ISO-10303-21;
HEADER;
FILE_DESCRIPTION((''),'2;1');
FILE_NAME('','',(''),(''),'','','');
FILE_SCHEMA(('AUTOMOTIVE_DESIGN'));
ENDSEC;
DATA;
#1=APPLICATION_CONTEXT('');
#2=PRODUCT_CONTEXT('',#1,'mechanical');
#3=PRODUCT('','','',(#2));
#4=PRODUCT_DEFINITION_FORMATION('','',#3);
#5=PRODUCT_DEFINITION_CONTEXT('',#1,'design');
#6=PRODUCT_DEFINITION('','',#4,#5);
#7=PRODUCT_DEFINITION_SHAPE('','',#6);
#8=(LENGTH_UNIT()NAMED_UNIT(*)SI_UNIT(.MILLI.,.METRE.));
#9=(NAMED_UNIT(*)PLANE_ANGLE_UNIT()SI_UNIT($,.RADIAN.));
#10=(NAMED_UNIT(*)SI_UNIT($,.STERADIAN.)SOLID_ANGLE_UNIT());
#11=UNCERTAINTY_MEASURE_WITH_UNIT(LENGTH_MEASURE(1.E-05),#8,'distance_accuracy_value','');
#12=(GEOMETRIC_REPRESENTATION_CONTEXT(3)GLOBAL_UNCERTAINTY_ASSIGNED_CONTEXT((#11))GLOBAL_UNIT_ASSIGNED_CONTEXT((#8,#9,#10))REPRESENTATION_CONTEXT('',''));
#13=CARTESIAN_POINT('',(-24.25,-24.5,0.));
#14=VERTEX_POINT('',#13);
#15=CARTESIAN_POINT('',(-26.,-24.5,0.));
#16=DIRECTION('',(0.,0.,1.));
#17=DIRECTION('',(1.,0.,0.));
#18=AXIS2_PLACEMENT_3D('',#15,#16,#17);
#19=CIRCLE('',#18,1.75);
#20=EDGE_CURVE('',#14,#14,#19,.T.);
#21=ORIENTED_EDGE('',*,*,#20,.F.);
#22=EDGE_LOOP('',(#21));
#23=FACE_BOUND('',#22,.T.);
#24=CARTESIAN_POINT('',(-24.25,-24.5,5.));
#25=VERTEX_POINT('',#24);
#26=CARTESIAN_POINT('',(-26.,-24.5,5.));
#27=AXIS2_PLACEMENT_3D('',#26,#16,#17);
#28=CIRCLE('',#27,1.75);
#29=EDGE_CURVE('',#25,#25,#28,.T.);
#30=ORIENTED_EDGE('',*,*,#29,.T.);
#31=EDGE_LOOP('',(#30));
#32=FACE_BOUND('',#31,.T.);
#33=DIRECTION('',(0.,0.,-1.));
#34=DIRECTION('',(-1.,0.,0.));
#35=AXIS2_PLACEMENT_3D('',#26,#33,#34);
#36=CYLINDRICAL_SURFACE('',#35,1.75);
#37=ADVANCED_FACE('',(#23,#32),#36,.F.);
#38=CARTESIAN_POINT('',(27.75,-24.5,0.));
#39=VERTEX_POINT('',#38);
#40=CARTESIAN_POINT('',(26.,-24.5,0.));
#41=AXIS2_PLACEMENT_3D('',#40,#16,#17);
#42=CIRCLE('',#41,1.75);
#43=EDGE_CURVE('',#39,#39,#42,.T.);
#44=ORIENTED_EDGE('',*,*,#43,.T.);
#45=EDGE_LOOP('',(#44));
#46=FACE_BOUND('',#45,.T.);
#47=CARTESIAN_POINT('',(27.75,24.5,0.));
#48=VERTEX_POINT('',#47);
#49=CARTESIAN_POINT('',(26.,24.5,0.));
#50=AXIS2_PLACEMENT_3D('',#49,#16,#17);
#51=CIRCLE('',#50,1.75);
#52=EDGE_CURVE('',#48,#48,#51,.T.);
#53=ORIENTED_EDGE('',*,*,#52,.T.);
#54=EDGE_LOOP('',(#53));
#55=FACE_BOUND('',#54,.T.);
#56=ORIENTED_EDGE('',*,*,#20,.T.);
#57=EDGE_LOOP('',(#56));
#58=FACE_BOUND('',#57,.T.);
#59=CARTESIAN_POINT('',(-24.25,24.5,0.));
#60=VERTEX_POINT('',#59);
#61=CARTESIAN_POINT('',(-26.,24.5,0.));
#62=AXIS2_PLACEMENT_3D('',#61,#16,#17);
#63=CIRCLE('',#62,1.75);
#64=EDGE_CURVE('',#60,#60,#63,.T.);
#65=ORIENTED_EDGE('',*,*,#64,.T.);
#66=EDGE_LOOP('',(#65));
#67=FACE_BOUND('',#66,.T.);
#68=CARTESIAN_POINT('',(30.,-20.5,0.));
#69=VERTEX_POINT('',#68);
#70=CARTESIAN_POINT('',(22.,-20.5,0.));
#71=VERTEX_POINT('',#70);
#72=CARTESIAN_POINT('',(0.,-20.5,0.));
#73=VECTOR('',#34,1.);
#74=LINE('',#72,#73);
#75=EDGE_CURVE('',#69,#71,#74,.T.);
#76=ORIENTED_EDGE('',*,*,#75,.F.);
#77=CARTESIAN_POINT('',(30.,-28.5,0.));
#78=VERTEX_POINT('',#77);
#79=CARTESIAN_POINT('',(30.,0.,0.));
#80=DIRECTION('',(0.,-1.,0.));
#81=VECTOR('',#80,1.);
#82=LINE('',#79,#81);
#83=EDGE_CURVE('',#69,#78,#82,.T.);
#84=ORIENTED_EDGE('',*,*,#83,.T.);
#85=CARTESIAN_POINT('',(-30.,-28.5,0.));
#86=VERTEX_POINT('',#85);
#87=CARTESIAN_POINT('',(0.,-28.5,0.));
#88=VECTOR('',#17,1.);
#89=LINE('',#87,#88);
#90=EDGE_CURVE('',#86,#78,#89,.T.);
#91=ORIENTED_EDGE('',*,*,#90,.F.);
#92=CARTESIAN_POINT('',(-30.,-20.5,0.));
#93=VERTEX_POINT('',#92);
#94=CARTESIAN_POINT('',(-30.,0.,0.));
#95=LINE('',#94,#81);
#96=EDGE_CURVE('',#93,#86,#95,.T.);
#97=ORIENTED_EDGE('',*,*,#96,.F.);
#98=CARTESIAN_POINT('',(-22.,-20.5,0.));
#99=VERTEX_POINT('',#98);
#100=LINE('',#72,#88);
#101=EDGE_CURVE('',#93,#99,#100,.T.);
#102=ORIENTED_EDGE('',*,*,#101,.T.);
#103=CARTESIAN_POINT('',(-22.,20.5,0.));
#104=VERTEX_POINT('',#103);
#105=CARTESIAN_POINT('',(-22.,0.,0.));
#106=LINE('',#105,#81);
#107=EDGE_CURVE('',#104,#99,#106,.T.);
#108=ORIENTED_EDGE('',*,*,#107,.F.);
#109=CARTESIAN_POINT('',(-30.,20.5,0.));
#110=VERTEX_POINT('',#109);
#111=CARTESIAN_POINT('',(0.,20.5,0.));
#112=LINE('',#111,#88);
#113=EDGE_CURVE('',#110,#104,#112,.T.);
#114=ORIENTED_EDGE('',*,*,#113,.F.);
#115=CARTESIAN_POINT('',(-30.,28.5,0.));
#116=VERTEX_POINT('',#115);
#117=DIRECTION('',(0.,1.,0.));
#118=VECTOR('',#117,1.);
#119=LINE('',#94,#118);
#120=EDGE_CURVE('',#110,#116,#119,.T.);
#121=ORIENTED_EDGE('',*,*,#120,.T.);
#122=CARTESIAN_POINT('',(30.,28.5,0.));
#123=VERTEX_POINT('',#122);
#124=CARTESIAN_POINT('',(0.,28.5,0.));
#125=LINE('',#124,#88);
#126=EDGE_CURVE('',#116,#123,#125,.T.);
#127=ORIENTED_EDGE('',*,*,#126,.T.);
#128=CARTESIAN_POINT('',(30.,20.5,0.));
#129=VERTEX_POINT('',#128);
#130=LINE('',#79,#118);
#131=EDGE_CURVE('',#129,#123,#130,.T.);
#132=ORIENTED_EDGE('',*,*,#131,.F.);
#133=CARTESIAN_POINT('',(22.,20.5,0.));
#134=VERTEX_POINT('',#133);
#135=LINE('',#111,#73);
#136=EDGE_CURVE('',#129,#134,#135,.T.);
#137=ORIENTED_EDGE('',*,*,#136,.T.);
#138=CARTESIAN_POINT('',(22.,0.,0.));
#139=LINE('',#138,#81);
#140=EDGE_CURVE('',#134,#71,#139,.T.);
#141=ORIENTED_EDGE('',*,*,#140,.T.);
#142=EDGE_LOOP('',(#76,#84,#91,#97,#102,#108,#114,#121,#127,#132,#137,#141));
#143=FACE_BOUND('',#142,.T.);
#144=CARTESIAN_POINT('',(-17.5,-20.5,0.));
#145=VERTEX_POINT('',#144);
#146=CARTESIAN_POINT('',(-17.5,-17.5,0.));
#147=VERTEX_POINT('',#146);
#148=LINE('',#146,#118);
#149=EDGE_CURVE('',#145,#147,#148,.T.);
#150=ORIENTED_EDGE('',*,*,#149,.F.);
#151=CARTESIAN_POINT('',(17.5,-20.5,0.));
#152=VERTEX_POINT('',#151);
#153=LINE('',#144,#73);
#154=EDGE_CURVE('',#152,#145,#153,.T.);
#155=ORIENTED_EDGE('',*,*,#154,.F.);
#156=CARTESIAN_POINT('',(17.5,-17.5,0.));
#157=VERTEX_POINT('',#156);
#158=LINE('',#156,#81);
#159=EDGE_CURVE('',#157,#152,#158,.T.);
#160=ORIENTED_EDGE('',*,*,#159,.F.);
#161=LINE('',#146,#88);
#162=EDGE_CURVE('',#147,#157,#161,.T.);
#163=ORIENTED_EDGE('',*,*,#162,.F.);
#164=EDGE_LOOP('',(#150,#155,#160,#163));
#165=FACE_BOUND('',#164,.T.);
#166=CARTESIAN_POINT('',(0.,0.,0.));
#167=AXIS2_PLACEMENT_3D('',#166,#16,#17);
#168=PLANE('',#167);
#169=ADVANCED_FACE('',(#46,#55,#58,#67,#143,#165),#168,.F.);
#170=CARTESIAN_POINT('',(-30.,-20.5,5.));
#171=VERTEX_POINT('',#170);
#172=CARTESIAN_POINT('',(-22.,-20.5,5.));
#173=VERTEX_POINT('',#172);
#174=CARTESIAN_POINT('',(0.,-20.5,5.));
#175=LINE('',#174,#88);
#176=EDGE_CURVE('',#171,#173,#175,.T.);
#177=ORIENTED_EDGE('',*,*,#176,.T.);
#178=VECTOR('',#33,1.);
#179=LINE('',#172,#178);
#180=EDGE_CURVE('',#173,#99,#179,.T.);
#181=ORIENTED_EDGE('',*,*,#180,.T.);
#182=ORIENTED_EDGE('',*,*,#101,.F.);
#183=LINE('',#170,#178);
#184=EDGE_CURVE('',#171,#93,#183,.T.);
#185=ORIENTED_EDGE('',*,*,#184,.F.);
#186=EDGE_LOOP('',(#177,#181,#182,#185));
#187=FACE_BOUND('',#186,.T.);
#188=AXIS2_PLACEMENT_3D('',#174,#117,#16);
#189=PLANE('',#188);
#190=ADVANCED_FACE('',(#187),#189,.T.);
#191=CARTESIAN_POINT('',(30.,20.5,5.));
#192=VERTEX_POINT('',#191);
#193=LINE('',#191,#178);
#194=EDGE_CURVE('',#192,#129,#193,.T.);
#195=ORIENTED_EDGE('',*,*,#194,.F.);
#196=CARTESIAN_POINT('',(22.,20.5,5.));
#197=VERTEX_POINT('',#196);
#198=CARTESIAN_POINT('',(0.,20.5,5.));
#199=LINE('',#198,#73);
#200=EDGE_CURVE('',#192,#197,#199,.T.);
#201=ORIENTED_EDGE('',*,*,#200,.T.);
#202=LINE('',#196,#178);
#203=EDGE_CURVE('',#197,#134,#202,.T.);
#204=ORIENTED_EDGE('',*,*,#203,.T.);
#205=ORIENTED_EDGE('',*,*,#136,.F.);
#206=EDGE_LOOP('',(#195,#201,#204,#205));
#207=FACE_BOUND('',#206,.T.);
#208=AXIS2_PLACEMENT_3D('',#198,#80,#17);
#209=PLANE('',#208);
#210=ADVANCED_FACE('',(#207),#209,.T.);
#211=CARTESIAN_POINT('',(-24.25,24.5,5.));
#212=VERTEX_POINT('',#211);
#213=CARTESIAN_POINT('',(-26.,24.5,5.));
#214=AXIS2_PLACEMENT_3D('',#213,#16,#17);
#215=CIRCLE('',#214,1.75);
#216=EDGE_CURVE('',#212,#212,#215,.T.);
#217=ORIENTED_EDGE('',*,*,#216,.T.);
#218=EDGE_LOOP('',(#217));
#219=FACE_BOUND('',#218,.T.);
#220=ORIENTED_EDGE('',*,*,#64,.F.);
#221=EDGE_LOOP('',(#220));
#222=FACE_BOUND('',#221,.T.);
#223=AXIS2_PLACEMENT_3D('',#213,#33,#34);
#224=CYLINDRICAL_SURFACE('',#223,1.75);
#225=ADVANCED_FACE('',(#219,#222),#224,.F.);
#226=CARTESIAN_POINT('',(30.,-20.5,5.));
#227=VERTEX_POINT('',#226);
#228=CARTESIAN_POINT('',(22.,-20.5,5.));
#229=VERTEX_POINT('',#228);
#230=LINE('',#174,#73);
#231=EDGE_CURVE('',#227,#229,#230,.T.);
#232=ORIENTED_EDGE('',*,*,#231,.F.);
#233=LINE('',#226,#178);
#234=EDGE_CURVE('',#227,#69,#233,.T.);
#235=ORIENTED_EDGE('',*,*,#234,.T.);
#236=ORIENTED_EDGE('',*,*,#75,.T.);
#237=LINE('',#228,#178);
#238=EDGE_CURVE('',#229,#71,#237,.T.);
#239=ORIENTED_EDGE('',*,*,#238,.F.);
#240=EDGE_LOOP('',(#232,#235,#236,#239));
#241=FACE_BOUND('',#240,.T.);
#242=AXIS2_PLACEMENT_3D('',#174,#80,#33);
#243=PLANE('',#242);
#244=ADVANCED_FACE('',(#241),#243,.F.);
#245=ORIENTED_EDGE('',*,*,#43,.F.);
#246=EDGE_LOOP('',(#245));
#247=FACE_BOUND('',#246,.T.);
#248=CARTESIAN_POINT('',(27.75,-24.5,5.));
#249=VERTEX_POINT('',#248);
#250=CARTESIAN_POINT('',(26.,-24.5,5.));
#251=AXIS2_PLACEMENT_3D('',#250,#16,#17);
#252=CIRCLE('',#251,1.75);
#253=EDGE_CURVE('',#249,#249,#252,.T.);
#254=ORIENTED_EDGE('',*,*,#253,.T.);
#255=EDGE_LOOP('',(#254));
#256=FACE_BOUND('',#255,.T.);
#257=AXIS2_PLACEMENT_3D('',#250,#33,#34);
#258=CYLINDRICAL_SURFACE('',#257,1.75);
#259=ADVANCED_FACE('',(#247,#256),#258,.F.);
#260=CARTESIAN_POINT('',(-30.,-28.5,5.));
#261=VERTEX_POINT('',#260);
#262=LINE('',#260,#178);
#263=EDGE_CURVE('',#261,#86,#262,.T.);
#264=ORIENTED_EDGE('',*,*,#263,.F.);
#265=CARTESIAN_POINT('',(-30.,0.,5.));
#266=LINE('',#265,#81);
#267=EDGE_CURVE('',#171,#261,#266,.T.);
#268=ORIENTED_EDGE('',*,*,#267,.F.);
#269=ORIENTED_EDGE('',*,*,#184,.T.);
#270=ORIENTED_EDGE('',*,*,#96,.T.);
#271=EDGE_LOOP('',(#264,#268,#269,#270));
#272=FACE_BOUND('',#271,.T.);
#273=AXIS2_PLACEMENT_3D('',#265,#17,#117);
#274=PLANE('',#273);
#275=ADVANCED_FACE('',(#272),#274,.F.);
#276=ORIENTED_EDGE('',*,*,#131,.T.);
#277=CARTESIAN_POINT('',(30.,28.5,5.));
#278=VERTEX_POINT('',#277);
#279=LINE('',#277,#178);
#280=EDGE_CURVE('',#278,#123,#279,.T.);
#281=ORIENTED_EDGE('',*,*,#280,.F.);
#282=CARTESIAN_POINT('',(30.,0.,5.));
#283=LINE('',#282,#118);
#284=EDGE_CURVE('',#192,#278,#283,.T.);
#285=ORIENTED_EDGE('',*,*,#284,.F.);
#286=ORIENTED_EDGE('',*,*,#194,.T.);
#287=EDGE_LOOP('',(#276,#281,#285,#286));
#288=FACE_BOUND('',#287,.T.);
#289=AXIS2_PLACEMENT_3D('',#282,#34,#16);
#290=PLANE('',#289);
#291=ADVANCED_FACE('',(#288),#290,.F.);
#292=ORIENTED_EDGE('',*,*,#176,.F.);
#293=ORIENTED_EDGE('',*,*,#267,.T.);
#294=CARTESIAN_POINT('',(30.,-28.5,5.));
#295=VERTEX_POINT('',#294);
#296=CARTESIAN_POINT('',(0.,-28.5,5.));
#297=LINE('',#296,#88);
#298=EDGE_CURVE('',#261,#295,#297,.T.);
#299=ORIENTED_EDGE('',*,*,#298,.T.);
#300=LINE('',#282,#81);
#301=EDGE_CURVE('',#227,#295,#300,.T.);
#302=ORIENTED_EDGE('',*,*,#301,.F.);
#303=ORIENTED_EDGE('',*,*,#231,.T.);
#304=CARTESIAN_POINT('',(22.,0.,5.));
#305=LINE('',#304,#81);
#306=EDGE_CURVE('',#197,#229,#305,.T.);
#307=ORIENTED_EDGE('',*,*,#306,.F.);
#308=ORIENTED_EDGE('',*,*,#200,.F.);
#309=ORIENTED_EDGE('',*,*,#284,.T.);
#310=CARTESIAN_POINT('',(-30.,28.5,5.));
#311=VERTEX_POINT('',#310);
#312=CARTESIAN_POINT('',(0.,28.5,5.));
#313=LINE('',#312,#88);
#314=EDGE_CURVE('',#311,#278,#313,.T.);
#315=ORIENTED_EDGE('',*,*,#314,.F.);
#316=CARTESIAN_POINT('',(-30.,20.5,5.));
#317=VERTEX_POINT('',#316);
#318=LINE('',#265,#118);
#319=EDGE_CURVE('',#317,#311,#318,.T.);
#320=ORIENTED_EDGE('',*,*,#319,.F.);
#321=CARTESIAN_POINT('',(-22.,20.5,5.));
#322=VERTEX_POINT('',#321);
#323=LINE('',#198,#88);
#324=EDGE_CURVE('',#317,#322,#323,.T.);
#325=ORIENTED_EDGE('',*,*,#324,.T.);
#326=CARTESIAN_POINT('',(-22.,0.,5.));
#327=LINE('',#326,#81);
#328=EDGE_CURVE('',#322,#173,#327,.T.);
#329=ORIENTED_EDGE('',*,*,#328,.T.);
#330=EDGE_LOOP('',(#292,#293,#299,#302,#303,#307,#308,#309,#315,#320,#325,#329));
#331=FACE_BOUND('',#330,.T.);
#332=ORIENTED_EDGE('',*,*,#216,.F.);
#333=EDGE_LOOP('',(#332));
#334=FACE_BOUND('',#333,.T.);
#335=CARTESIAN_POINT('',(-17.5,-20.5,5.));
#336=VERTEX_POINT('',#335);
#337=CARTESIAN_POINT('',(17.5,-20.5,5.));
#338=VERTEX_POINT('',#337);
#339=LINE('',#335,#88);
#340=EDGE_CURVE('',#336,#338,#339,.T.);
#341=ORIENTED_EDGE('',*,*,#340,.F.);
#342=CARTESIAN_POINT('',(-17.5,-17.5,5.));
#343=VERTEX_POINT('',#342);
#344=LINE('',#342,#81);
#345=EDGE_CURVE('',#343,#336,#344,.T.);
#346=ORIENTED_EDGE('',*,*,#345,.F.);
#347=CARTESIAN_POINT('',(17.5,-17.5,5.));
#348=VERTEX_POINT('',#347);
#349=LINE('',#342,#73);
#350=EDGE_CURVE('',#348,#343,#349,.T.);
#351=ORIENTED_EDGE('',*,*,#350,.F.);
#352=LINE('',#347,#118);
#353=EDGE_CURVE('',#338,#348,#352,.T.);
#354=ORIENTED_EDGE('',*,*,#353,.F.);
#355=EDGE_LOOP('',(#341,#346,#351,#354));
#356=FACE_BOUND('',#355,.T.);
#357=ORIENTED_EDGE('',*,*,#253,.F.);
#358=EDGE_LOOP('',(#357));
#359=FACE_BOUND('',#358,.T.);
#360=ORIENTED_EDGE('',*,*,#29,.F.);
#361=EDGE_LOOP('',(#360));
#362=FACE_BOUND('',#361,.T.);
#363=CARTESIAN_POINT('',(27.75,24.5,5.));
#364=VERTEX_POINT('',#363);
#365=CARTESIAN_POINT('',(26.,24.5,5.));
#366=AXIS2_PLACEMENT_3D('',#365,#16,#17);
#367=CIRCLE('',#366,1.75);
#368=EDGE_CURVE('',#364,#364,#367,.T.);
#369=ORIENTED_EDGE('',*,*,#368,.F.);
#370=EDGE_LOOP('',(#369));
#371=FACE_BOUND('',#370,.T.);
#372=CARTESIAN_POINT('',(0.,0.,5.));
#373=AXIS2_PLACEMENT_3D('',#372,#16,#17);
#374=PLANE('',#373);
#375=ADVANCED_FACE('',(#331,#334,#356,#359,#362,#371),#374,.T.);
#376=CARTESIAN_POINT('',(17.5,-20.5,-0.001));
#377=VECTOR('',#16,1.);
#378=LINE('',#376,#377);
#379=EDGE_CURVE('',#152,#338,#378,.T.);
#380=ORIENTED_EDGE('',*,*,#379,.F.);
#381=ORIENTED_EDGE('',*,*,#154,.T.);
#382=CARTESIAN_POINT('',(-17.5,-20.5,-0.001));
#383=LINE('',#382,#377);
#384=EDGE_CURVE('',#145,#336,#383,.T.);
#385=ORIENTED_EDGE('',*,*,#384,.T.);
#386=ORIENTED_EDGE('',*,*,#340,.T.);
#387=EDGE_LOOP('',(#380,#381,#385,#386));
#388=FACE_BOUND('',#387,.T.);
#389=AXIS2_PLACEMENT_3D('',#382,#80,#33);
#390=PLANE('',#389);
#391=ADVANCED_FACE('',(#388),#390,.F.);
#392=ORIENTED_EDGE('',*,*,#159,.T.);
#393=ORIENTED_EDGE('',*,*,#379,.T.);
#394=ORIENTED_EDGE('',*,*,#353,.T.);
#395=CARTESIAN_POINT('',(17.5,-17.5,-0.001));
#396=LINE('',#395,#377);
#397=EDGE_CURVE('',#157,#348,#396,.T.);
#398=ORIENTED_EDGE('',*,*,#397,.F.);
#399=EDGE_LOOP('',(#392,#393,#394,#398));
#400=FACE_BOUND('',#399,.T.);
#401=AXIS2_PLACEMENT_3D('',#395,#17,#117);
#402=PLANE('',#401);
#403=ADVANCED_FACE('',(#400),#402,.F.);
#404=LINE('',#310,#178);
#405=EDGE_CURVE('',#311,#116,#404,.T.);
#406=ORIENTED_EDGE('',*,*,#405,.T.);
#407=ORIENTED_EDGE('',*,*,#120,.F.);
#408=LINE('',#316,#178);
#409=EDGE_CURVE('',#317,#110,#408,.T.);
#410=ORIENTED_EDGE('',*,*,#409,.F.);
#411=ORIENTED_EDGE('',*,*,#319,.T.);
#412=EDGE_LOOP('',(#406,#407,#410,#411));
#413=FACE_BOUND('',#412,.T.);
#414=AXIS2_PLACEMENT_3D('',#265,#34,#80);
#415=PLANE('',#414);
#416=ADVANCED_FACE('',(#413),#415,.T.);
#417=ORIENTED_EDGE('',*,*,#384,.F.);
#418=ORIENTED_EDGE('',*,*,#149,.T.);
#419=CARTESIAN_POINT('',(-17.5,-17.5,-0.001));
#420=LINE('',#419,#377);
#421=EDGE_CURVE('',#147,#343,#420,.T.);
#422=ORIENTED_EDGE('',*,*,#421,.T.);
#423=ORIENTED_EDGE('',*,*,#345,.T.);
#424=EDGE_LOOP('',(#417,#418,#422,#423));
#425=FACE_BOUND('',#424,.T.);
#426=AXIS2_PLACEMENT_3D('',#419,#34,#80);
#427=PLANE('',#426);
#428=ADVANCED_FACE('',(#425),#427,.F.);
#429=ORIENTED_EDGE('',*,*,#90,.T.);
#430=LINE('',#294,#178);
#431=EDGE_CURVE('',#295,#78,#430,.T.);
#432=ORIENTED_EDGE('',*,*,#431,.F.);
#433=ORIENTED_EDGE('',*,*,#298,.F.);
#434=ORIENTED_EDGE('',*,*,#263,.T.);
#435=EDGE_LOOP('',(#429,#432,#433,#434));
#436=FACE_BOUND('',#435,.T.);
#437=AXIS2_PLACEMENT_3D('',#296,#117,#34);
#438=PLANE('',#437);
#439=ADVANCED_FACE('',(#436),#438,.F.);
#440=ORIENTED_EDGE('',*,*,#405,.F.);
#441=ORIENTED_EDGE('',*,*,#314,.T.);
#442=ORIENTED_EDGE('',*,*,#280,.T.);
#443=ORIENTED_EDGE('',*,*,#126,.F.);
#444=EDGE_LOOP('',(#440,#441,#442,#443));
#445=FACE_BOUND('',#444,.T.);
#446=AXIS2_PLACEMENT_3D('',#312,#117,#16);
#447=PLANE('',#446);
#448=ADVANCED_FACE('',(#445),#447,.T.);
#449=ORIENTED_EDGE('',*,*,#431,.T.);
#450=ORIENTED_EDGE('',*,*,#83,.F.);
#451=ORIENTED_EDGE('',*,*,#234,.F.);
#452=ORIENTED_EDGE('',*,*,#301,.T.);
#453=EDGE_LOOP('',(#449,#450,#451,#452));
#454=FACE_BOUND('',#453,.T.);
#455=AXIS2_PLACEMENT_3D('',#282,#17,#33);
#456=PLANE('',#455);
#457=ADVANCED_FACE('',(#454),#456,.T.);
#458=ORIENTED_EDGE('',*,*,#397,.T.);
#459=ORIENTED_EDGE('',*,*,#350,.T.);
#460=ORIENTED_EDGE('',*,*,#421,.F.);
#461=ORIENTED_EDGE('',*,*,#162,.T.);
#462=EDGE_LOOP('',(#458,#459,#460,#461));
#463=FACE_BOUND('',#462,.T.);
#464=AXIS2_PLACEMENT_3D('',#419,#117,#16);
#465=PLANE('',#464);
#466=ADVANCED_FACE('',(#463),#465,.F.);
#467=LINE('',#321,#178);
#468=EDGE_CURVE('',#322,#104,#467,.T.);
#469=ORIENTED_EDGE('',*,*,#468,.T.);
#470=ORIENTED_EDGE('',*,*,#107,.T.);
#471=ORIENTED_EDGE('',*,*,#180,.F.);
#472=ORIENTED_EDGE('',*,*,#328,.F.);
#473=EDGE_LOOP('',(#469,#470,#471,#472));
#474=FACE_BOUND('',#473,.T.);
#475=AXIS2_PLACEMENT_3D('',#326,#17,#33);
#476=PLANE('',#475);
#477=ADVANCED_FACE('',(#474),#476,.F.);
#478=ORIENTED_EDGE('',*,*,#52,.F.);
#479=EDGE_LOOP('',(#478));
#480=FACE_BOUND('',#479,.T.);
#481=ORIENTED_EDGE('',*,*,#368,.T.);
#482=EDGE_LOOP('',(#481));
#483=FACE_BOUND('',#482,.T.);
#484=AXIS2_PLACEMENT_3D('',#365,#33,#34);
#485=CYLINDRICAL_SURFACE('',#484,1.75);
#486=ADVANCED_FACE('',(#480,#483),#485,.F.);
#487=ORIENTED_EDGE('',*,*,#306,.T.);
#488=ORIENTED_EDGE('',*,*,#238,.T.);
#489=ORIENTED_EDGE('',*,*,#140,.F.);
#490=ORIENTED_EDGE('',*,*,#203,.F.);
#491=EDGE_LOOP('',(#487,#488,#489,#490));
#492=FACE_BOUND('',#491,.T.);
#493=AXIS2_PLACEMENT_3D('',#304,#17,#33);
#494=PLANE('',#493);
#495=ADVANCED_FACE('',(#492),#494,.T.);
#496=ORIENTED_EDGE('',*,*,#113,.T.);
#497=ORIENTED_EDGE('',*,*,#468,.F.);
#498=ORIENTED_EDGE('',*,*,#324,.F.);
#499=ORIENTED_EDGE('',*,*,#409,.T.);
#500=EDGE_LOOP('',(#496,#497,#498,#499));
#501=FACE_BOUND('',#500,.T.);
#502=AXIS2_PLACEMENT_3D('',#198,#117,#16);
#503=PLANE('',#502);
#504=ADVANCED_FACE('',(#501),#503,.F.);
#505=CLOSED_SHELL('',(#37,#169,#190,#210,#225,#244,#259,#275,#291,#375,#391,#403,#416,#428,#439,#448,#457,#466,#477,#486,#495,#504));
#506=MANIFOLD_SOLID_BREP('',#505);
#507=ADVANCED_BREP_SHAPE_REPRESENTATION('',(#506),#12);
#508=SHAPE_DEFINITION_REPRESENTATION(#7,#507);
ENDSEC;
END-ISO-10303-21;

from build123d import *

# Parameters (mm, degrees)
SKETCH_1_R          = 1.75
EXTRUDE_1_DEPTH     = 5
CUT_EXTRUDE_1_REACH = 7
SKETCH_2_W          = 35
SKETCH_2_H          = 3


with BuildPart() as part:
    # 草圖1 → 填料-伸長1 (new body)
    with BuildSketch(Plane.XY):
        Polygon((-30, 28.5), (-30, 20.5), (-22, 20.5), (-22, -20.5), (-30, -20.5), (-30, -28.5), (30, -28.5), (30, -20.5), (22, -20.5), (22, 20.5), (30, 20.5), (30, 28.5), align=None)
        with Locations((-26, 24.5)):
            Circle(SKETCH_1_R, mode=Mode.SUBTRACT)
        with Locations((26, 24.5)):
            Circle(SKETCH_1_R, mode=Mode.SUBTRACT)
        with Locations((-26, -24.5)):
            Circle(SKETCH_1_R, mode=Mode.SUBTRACT)
        with Locations((26, -24.5)):
            Circle(SKETCH_1_R, mode=Mode.SUBTRACT)
    extrude(amount=EXTRUDE_1_DEPTH)

    # 草圖2 → 除料-伸長1 (cut, up to next)
    with BuildSketch(Plane.XY.offset(5), mode=Mode.PRIVATE) as cut_extrude_1_sk1:
        with Locations((0, -19)):
            Rectangle(SKETCH_2_W, SKETCH_2_H)
    cut_extrude_1_tool1 = extrude(cut_extrude_1_sk1.sketch, amount=-CUT_EXTRUDE_1_REACH, mode=Mode.PRIVATE) & part.part
    add(cut_extrude_1_tool1.solids().sort_by_distance((0, -19, 5))[0], mode=Mode.SUBTRACT)


solid = part.part
